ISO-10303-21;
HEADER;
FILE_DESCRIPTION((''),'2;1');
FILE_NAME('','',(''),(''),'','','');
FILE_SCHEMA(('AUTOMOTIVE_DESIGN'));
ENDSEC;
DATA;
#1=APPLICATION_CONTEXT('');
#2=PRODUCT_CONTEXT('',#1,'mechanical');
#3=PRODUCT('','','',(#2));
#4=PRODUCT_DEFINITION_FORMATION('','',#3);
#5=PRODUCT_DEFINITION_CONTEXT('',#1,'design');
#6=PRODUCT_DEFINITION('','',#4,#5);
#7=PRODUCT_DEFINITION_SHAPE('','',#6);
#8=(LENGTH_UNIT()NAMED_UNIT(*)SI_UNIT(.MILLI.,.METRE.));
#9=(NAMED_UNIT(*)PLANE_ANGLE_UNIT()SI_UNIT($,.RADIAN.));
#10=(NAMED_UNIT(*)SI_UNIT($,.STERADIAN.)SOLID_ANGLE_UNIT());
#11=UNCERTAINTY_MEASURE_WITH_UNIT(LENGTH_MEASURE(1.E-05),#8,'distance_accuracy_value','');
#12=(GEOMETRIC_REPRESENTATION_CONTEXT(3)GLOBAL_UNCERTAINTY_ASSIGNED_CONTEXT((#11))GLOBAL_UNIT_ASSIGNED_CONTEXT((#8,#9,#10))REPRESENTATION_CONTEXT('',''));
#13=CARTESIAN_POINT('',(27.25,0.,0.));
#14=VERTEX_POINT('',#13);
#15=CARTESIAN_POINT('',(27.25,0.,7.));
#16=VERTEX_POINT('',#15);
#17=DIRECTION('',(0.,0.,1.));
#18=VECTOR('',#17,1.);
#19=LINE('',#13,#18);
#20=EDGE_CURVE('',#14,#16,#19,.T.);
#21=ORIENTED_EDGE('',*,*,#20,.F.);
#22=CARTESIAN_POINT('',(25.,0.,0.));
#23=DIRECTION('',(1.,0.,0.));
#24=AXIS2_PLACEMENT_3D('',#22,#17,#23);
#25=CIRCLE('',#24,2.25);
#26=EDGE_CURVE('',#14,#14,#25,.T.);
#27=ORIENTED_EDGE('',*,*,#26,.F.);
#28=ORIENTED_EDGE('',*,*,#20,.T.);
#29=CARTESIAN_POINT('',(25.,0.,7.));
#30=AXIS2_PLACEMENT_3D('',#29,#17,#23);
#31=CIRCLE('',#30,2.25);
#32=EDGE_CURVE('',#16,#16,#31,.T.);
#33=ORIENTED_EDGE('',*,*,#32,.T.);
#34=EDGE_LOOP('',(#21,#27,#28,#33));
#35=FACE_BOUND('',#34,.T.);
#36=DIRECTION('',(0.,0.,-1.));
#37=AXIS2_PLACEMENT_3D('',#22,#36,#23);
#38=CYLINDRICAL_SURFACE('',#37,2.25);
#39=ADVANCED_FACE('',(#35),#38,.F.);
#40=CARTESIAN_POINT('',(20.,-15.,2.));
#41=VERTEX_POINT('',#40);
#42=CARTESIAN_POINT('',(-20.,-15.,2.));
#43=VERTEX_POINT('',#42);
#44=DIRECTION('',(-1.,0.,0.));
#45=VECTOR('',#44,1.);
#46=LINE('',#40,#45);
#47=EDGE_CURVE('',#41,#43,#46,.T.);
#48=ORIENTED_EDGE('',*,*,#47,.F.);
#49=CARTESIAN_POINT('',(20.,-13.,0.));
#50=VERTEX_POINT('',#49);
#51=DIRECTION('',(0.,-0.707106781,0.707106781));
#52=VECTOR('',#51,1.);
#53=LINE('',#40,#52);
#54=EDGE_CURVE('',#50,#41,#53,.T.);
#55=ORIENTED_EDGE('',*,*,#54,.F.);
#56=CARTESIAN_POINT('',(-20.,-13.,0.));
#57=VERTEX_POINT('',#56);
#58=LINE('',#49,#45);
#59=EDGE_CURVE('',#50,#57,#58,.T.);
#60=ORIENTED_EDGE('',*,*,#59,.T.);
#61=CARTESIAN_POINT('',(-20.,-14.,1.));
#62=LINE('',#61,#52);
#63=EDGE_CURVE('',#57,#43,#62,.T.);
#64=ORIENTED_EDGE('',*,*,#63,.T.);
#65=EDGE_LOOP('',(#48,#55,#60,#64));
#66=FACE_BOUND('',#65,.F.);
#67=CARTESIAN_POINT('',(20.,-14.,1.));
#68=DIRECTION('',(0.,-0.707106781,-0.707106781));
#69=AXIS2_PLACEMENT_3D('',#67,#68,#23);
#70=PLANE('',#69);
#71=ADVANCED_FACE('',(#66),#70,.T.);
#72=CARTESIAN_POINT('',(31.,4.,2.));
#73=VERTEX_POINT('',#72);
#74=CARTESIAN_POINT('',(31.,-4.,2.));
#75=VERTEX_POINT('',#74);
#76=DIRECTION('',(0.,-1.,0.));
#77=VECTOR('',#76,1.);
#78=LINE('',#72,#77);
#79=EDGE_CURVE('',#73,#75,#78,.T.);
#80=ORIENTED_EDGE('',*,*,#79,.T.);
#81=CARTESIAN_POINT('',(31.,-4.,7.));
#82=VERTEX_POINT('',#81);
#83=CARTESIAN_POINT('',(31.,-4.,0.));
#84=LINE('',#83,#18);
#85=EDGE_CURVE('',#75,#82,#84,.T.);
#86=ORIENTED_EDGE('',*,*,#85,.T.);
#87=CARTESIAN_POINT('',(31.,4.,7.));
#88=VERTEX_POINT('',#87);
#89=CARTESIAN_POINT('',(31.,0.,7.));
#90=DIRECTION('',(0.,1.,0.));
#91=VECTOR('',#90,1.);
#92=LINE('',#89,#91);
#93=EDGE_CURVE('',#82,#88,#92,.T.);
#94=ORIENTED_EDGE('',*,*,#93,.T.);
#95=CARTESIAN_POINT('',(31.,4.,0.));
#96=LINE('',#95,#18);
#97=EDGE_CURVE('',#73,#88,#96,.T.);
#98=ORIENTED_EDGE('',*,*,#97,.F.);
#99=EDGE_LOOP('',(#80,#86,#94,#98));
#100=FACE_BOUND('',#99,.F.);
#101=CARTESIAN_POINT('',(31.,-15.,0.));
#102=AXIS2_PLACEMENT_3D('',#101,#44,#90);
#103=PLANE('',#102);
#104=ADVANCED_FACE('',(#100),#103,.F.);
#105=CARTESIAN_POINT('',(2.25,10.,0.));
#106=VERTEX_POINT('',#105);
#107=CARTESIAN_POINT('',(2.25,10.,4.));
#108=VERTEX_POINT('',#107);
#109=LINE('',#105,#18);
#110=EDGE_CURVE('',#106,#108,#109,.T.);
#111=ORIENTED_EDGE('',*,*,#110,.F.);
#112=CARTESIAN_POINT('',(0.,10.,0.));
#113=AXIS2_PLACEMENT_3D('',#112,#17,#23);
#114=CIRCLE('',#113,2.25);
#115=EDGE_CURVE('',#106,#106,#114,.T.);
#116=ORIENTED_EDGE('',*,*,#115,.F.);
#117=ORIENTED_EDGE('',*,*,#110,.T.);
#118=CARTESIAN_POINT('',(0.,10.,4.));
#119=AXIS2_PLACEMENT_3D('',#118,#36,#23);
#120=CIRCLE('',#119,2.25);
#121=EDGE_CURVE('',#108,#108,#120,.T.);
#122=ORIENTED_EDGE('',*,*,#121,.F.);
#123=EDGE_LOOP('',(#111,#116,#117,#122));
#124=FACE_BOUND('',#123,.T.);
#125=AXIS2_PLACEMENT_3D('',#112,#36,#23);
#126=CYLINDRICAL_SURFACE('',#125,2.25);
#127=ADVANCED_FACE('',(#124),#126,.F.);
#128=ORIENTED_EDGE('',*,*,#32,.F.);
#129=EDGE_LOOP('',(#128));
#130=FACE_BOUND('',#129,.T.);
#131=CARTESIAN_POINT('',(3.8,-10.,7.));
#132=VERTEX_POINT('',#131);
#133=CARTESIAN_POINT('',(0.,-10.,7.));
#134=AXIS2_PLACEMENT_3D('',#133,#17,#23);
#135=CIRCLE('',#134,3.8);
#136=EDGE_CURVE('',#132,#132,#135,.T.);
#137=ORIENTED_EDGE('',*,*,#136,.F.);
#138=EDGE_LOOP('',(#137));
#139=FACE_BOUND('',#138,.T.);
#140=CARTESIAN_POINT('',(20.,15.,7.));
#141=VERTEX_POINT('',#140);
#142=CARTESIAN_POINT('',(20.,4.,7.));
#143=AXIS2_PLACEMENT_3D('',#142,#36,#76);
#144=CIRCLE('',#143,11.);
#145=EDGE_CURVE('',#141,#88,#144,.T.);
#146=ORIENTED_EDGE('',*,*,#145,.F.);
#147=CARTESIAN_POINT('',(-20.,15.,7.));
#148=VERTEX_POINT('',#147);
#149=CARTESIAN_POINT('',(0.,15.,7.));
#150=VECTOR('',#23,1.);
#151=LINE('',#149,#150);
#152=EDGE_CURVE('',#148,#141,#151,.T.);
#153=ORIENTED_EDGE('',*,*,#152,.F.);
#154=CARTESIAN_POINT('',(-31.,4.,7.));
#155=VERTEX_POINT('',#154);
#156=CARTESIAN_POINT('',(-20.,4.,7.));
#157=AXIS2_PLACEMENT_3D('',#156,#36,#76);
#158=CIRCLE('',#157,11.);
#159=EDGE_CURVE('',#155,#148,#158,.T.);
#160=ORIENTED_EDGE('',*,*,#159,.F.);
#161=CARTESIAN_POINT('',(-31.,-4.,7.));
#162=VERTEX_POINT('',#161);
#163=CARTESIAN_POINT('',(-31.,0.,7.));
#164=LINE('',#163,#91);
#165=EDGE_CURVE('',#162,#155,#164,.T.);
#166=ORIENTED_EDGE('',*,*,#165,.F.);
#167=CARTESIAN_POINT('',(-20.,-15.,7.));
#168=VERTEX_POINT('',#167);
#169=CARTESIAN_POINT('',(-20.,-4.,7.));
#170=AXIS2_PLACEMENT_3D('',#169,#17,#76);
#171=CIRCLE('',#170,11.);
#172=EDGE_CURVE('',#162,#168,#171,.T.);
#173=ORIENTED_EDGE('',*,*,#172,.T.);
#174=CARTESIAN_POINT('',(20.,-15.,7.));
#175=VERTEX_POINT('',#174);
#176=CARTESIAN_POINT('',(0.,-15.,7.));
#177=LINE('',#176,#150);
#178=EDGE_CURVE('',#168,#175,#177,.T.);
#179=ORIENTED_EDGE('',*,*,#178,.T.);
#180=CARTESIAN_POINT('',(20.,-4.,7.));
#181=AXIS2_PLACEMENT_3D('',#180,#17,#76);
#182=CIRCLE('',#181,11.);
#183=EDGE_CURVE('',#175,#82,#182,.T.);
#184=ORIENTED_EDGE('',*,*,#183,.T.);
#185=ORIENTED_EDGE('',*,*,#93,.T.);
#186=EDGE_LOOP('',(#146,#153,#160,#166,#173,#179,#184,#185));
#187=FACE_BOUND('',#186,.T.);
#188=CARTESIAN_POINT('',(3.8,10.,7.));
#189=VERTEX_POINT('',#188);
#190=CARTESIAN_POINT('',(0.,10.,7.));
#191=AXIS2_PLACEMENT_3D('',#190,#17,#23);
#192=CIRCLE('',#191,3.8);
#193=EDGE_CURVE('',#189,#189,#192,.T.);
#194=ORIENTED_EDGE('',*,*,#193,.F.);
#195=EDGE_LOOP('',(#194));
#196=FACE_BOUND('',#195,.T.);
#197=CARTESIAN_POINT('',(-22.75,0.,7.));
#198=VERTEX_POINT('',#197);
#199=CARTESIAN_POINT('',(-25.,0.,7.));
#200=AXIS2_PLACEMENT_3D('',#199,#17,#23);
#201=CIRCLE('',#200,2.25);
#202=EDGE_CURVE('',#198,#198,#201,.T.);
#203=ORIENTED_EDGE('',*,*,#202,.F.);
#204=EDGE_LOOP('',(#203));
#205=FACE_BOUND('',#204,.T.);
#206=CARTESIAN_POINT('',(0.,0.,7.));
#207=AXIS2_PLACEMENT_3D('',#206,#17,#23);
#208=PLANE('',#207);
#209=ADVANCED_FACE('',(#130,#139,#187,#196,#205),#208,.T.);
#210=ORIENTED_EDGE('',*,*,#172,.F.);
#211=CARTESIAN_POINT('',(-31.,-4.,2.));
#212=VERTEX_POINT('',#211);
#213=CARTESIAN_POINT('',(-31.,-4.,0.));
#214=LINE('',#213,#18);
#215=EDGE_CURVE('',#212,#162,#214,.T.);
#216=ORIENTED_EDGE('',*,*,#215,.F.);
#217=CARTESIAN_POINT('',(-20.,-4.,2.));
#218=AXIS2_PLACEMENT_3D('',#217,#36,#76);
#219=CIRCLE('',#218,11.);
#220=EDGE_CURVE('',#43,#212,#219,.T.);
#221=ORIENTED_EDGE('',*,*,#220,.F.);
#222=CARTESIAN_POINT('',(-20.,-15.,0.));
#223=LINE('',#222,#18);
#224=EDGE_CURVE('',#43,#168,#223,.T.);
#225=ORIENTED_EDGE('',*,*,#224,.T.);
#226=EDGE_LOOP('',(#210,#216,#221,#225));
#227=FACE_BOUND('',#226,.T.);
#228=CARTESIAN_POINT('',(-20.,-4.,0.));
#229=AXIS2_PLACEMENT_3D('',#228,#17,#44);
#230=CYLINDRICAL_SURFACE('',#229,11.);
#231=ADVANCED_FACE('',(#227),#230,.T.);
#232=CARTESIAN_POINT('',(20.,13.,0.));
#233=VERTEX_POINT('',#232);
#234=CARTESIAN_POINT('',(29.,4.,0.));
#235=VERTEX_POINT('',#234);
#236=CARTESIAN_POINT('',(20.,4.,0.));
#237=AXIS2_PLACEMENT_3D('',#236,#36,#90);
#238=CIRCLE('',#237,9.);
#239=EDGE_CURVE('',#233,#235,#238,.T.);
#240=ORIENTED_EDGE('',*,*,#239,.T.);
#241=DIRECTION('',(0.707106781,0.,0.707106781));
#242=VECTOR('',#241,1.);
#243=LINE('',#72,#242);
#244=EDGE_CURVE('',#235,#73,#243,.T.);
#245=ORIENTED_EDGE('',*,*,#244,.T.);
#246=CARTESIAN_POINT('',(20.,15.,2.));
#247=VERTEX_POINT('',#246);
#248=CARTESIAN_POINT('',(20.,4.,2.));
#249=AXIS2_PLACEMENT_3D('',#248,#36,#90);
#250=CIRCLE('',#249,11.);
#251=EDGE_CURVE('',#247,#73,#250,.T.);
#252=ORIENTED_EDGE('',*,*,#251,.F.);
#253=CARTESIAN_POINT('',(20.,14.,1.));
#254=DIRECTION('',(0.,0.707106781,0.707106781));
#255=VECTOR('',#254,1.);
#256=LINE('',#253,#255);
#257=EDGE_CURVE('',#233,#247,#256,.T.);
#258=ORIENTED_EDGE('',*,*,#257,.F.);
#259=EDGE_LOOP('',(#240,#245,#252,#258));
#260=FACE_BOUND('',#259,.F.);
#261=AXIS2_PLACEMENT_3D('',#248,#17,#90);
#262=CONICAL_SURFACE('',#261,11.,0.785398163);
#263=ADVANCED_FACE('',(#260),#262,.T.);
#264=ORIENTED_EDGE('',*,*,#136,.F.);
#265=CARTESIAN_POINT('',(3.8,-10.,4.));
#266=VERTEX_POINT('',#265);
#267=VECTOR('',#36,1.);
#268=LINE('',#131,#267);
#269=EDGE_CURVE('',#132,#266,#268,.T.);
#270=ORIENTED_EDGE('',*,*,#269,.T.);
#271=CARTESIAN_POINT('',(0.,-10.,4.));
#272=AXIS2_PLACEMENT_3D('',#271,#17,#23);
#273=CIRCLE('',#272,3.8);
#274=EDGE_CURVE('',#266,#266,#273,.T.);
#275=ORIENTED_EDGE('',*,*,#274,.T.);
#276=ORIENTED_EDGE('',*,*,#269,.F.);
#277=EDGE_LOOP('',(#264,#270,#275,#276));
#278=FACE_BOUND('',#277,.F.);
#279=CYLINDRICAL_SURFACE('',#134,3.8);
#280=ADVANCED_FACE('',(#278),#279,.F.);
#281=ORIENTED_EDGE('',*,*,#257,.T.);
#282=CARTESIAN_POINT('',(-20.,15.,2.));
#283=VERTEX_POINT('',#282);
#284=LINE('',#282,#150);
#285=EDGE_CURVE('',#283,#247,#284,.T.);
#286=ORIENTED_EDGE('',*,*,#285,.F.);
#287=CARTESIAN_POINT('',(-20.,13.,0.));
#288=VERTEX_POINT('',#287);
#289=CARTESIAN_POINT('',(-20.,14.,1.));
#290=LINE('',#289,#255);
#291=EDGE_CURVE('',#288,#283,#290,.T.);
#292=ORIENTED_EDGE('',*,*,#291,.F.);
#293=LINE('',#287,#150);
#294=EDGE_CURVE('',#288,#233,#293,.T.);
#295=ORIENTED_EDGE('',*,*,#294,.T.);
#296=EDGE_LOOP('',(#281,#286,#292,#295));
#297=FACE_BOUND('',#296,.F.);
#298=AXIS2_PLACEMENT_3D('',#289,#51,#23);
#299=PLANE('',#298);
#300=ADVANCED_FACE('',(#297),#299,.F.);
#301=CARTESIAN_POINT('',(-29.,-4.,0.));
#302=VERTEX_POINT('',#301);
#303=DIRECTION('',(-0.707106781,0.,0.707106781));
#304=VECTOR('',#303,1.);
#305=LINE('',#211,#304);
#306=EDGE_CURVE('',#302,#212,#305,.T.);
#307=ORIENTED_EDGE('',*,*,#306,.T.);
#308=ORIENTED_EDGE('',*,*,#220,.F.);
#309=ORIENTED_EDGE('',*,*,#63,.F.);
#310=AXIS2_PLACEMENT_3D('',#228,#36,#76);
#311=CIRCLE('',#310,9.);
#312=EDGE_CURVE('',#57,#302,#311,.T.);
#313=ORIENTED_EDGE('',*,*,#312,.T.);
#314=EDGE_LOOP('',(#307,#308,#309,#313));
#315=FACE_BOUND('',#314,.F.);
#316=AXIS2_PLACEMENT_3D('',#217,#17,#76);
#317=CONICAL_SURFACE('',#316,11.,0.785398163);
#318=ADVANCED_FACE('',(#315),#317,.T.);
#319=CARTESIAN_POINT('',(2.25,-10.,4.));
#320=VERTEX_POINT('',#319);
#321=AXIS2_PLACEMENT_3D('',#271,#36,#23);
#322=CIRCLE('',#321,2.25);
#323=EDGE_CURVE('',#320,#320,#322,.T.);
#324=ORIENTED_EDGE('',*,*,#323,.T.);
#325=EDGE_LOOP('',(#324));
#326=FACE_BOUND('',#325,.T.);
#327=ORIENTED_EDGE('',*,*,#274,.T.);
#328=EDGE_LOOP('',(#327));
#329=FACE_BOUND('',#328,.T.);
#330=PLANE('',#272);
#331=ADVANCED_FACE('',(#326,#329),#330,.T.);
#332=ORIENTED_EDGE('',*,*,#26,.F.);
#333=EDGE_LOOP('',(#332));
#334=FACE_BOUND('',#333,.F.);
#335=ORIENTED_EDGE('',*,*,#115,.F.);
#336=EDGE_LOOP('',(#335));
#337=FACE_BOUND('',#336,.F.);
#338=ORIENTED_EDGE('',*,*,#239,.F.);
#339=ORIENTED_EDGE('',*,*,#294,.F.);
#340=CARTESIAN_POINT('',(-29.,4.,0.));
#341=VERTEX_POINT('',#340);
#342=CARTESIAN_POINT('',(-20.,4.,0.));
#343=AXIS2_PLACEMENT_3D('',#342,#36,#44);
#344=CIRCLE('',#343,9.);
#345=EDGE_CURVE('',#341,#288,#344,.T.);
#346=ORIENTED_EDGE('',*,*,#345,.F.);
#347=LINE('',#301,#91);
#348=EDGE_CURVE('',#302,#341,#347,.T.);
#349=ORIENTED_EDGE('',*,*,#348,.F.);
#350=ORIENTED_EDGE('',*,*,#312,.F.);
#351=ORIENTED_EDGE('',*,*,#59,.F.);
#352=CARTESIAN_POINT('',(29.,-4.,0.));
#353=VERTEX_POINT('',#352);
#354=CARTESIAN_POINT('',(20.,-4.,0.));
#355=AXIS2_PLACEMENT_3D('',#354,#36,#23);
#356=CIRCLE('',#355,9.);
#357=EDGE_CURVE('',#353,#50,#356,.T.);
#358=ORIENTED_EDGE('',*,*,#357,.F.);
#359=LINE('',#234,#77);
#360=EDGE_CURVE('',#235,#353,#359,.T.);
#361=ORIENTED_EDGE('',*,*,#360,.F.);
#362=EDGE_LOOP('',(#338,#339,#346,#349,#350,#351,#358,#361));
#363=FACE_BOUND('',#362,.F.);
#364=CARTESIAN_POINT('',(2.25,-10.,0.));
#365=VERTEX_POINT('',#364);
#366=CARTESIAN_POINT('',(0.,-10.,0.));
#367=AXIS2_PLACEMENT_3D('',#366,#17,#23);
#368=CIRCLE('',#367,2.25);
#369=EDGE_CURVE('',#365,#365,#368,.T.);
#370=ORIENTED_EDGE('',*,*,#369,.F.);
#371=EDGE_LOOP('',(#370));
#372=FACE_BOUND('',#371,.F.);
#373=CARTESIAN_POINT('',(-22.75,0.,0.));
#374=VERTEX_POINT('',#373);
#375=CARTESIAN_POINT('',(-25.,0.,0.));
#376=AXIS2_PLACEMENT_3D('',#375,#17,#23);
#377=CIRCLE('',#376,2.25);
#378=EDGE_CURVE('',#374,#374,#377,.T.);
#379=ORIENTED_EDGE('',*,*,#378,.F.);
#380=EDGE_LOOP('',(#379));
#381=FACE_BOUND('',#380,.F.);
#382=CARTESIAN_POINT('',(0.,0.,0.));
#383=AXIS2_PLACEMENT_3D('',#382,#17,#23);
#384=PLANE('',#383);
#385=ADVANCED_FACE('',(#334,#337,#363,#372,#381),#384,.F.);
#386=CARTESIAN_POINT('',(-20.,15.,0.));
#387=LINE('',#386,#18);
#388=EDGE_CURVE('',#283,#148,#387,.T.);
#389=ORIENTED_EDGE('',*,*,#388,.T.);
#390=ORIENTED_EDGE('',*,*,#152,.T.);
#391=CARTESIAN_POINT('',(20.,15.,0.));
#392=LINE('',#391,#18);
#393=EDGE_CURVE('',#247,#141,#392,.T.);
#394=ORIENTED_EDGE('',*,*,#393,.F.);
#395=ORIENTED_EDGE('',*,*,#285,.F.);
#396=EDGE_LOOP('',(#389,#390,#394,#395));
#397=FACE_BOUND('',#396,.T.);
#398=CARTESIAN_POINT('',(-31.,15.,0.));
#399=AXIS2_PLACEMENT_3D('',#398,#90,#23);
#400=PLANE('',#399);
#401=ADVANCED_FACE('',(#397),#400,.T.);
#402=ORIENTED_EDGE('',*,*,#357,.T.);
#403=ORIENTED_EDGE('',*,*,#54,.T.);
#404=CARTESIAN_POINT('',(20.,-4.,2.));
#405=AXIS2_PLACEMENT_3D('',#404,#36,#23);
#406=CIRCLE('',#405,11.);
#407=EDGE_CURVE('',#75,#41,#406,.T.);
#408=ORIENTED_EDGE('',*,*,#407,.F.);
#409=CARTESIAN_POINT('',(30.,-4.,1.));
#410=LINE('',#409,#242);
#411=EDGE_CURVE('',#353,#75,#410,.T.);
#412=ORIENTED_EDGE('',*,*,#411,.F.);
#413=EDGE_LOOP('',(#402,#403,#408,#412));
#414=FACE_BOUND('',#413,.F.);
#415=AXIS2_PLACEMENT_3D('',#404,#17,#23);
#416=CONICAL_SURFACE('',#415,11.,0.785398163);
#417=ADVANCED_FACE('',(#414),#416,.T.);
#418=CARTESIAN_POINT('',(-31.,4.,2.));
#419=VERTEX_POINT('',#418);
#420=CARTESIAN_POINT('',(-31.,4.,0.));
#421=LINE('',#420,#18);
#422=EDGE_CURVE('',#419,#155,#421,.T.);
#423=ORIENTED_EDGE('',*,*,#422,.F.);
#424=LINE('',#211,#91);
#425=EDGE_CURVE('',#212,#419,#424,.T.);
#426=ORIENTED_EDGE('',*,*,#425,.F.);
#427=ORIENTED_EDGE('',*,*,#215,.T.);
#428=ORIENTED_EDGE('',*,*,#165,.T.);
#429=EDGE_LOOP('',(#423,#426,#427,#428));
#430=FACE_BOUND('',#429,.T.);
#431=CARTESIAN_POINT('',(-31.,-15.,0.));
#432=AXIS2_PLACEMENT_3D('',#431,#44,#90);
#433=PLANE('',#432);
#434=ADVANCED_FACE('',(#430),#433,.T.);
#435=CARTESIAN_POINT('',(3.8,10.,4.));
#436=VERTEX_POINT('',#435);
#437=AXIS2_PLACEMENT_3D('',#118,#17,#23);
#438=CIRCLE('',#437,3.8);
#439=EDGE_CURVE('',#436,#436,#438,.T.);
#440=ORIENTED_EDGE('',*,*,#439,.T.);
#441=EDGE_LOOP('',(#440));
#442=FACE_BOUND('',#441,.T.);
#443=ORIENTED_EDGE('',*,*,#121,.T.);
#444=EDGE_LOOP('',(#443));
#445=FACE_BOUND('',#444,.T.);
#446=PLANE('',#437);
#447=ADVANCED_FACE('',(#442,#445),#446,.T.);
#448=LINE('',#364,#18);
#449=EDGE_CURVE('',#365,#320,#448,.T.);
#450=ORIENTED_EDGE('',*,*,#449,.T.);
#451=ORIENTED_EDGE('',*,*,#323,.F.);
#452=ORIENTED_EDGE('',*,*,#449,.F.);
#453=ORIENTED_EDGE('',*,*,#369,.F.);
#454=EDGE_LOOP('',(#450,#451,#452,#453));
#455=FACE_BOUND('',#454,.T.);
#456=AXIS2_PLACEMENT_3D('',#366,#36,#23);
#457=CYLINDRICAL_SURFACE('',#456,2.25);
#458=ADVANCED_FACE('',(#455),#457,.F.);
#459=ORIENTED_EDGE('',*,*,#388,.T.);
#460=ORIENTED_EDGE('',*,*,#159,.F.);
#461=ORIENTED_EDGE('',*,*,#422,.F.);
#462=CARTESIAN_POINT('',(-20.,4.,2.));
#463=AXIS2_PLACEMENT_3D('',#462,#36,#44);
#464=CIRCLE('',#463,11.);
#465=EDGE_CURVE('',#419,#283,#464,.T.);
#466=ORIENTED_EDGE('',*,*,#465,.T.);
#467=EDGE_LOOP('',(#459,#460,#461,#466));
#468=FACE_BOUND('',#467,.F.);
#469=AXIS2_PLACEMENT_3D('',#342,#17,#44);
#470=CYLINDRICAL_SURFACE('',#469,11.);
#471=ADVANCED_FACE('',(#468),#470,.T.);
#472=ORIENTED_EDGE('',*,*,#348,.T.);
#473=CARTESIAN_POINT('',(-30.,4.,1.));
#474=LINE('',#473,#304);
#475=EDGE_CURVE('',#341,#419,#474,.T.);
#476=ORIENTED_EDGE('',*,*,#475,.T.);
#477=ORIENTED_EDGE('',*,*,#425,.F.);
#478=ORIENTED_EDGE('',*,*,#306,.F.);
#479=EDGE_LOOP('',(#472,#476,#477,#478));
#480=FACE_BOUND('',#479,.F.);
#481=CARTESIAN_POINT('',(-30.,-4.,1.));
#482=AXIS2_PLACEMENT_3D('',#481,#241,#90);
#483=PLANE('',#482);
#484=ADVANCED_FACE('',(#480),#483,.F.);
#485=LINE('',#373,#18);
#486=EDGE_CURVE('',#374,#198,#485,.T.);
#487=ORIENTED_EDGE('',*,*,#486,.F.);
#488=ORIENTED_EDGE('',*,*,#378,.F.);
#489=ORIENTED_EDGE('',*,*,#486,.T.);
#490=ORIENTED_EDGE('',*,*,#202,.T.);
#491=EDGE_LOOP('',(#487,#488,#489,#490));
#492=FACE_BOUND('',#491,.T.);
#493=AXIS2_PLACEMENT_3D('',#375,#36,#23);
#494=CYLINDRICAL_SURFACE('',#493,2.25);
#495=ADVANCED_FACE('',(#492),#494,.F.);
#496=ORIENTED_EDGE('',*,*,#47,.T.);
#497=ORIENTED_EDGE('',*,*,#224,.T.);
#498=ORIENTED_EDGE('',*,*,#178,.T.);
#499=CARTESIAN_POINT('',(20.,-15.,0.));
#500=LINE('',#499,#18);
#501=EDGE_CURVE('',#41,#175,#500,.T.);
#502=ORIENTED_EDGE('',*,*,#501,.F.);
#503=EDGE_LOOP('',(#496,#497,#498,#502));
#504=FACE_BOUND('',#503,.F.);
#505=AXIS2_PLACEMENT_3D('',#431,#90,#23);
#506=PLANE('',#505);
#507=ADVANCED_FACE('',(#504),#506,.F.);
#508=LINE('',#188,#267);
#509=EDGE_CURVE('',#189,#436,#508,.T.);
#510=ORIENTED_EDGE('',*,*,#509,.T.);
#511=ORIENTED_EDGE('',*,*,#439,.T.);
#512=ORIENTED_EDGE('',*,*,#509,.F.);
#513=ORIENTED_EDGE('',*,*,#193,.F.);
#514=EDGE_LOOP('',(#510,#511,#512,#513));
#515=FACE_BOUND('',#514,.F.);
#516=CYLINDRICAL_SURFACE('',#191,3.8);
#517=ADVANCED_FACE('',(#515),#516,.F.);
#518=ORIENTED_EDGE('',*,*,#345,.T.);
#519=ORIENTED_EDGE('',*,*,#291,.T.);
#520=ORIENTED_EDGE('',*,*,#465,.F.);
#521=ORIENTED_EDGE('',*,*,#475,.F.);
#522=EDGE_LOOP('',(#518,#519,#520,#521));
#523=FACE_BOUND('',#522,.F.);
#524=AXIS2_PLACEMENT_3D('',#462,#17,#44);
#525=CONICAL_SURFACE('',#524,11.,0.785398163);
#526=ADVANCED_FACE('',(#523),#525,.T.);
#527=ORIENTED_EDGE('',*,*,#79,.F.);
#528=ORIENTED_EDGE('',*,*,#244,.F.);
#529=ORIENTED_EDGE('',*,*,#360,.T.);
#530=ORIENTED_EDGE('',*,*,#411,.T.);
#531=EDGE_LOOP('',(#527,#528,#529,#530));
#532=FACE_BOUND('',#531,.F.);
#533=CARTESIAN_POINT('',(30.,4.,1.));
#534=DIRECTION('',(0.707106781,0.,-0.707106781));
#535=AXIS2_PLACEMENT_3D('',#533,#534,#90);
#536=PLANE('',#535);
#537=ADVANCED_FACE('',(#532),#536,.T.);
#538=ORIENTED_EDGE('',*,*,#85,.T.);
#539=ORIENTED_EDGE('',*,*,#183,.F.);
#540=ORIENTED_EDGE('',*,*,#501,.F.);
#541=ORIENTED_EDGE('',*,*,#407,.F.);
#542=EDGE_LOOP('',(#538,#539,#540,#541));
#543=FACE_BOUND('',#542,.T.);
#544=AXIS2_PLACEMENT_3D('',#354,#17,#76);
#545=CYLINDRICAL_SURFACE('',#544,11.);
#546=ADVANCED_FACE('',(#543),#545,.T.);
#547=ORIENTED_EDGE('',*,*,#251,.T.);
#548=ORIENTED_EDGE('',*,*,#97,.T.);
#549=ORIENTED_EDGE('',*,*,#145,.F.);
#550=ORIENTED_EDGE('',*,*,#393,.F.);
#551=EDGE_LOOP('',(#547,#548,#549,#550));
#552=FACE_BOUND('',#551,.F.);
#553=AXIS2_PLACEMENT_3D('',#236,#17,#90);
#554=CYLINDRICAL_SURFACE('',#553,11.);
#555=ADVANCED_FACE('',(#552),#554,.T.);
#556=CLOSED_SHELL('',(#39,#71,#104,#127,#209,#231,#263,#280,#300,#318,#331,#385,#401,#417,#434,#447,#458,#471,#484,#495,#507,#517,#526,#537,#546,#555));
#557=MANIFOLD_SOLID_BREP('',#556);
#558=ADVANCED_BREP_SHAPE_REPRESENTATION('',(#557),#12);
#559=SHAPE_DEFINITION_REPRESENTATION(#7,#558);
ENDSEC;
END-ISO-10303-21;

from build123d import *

# Parameters (mm, degrees)
SKETCH_W     = 62
SKETCH_H     = 30
SKETCH_R     = 2.25
PAD_DEPTH    = 7
SKETCH001_R  = 3.8
POCKET_DEPTH = 3
FILLET_R     = 11
CHAMFER_SIZE = 2


with BuildPart() as part:
    # Sketch → Pad (new body)
    with BuildSketch(Plane.XY):
        Rectangle(SKETCH_W, SKETCH_H)
        with Locations((-25, 0)):
            Circle(SKETCH_R, mode=Mode.SUBTRACT)
        with Locations((25, 0)):
            Circle(SKETCH_R, mode=Mode.SUBTRACT)
        with Locations((0, 10)):
            Circle(SKETCH_R, mode=Mode.SUBTRACT)
        with Locations((0, -10)):
            Circle(SKETCH_R, mode=Mode.SUBTRACT)
    extrude(amount=PAD_DEPTH)

    # Sketch001 → Pocket (cut)
    with BuildSketch(Plane.XY.offset(7)):
        with Locations((0, 10)):
            Circle(SKETCH001_R)
        with Locations((0, -10)):
            Circle(SKETCH001_R)
    extrude(amount=-POCKET_DEPTH, mode=Mode.SUBTRACT)

    # Fillet
    fillet_edges = [part.edges().sort_by_distance(p)[0] for p in [
        (31, 15, 3.5),
        (-31, 15, 3.5),
        (-31, -15, 3.5),
        (31, -15, 3.5),
    ]]
    fillet(fillet_edges, radius=FILLET_R)

    # Chamfer
    chamfer_edges = [part.edges().sort_by_distance(p)[0] for p in [
        (0, 15, 0),
    ]]
    chamfer(chamfer_edges, length=CHAMFER_SIZE)


solid = part.part
